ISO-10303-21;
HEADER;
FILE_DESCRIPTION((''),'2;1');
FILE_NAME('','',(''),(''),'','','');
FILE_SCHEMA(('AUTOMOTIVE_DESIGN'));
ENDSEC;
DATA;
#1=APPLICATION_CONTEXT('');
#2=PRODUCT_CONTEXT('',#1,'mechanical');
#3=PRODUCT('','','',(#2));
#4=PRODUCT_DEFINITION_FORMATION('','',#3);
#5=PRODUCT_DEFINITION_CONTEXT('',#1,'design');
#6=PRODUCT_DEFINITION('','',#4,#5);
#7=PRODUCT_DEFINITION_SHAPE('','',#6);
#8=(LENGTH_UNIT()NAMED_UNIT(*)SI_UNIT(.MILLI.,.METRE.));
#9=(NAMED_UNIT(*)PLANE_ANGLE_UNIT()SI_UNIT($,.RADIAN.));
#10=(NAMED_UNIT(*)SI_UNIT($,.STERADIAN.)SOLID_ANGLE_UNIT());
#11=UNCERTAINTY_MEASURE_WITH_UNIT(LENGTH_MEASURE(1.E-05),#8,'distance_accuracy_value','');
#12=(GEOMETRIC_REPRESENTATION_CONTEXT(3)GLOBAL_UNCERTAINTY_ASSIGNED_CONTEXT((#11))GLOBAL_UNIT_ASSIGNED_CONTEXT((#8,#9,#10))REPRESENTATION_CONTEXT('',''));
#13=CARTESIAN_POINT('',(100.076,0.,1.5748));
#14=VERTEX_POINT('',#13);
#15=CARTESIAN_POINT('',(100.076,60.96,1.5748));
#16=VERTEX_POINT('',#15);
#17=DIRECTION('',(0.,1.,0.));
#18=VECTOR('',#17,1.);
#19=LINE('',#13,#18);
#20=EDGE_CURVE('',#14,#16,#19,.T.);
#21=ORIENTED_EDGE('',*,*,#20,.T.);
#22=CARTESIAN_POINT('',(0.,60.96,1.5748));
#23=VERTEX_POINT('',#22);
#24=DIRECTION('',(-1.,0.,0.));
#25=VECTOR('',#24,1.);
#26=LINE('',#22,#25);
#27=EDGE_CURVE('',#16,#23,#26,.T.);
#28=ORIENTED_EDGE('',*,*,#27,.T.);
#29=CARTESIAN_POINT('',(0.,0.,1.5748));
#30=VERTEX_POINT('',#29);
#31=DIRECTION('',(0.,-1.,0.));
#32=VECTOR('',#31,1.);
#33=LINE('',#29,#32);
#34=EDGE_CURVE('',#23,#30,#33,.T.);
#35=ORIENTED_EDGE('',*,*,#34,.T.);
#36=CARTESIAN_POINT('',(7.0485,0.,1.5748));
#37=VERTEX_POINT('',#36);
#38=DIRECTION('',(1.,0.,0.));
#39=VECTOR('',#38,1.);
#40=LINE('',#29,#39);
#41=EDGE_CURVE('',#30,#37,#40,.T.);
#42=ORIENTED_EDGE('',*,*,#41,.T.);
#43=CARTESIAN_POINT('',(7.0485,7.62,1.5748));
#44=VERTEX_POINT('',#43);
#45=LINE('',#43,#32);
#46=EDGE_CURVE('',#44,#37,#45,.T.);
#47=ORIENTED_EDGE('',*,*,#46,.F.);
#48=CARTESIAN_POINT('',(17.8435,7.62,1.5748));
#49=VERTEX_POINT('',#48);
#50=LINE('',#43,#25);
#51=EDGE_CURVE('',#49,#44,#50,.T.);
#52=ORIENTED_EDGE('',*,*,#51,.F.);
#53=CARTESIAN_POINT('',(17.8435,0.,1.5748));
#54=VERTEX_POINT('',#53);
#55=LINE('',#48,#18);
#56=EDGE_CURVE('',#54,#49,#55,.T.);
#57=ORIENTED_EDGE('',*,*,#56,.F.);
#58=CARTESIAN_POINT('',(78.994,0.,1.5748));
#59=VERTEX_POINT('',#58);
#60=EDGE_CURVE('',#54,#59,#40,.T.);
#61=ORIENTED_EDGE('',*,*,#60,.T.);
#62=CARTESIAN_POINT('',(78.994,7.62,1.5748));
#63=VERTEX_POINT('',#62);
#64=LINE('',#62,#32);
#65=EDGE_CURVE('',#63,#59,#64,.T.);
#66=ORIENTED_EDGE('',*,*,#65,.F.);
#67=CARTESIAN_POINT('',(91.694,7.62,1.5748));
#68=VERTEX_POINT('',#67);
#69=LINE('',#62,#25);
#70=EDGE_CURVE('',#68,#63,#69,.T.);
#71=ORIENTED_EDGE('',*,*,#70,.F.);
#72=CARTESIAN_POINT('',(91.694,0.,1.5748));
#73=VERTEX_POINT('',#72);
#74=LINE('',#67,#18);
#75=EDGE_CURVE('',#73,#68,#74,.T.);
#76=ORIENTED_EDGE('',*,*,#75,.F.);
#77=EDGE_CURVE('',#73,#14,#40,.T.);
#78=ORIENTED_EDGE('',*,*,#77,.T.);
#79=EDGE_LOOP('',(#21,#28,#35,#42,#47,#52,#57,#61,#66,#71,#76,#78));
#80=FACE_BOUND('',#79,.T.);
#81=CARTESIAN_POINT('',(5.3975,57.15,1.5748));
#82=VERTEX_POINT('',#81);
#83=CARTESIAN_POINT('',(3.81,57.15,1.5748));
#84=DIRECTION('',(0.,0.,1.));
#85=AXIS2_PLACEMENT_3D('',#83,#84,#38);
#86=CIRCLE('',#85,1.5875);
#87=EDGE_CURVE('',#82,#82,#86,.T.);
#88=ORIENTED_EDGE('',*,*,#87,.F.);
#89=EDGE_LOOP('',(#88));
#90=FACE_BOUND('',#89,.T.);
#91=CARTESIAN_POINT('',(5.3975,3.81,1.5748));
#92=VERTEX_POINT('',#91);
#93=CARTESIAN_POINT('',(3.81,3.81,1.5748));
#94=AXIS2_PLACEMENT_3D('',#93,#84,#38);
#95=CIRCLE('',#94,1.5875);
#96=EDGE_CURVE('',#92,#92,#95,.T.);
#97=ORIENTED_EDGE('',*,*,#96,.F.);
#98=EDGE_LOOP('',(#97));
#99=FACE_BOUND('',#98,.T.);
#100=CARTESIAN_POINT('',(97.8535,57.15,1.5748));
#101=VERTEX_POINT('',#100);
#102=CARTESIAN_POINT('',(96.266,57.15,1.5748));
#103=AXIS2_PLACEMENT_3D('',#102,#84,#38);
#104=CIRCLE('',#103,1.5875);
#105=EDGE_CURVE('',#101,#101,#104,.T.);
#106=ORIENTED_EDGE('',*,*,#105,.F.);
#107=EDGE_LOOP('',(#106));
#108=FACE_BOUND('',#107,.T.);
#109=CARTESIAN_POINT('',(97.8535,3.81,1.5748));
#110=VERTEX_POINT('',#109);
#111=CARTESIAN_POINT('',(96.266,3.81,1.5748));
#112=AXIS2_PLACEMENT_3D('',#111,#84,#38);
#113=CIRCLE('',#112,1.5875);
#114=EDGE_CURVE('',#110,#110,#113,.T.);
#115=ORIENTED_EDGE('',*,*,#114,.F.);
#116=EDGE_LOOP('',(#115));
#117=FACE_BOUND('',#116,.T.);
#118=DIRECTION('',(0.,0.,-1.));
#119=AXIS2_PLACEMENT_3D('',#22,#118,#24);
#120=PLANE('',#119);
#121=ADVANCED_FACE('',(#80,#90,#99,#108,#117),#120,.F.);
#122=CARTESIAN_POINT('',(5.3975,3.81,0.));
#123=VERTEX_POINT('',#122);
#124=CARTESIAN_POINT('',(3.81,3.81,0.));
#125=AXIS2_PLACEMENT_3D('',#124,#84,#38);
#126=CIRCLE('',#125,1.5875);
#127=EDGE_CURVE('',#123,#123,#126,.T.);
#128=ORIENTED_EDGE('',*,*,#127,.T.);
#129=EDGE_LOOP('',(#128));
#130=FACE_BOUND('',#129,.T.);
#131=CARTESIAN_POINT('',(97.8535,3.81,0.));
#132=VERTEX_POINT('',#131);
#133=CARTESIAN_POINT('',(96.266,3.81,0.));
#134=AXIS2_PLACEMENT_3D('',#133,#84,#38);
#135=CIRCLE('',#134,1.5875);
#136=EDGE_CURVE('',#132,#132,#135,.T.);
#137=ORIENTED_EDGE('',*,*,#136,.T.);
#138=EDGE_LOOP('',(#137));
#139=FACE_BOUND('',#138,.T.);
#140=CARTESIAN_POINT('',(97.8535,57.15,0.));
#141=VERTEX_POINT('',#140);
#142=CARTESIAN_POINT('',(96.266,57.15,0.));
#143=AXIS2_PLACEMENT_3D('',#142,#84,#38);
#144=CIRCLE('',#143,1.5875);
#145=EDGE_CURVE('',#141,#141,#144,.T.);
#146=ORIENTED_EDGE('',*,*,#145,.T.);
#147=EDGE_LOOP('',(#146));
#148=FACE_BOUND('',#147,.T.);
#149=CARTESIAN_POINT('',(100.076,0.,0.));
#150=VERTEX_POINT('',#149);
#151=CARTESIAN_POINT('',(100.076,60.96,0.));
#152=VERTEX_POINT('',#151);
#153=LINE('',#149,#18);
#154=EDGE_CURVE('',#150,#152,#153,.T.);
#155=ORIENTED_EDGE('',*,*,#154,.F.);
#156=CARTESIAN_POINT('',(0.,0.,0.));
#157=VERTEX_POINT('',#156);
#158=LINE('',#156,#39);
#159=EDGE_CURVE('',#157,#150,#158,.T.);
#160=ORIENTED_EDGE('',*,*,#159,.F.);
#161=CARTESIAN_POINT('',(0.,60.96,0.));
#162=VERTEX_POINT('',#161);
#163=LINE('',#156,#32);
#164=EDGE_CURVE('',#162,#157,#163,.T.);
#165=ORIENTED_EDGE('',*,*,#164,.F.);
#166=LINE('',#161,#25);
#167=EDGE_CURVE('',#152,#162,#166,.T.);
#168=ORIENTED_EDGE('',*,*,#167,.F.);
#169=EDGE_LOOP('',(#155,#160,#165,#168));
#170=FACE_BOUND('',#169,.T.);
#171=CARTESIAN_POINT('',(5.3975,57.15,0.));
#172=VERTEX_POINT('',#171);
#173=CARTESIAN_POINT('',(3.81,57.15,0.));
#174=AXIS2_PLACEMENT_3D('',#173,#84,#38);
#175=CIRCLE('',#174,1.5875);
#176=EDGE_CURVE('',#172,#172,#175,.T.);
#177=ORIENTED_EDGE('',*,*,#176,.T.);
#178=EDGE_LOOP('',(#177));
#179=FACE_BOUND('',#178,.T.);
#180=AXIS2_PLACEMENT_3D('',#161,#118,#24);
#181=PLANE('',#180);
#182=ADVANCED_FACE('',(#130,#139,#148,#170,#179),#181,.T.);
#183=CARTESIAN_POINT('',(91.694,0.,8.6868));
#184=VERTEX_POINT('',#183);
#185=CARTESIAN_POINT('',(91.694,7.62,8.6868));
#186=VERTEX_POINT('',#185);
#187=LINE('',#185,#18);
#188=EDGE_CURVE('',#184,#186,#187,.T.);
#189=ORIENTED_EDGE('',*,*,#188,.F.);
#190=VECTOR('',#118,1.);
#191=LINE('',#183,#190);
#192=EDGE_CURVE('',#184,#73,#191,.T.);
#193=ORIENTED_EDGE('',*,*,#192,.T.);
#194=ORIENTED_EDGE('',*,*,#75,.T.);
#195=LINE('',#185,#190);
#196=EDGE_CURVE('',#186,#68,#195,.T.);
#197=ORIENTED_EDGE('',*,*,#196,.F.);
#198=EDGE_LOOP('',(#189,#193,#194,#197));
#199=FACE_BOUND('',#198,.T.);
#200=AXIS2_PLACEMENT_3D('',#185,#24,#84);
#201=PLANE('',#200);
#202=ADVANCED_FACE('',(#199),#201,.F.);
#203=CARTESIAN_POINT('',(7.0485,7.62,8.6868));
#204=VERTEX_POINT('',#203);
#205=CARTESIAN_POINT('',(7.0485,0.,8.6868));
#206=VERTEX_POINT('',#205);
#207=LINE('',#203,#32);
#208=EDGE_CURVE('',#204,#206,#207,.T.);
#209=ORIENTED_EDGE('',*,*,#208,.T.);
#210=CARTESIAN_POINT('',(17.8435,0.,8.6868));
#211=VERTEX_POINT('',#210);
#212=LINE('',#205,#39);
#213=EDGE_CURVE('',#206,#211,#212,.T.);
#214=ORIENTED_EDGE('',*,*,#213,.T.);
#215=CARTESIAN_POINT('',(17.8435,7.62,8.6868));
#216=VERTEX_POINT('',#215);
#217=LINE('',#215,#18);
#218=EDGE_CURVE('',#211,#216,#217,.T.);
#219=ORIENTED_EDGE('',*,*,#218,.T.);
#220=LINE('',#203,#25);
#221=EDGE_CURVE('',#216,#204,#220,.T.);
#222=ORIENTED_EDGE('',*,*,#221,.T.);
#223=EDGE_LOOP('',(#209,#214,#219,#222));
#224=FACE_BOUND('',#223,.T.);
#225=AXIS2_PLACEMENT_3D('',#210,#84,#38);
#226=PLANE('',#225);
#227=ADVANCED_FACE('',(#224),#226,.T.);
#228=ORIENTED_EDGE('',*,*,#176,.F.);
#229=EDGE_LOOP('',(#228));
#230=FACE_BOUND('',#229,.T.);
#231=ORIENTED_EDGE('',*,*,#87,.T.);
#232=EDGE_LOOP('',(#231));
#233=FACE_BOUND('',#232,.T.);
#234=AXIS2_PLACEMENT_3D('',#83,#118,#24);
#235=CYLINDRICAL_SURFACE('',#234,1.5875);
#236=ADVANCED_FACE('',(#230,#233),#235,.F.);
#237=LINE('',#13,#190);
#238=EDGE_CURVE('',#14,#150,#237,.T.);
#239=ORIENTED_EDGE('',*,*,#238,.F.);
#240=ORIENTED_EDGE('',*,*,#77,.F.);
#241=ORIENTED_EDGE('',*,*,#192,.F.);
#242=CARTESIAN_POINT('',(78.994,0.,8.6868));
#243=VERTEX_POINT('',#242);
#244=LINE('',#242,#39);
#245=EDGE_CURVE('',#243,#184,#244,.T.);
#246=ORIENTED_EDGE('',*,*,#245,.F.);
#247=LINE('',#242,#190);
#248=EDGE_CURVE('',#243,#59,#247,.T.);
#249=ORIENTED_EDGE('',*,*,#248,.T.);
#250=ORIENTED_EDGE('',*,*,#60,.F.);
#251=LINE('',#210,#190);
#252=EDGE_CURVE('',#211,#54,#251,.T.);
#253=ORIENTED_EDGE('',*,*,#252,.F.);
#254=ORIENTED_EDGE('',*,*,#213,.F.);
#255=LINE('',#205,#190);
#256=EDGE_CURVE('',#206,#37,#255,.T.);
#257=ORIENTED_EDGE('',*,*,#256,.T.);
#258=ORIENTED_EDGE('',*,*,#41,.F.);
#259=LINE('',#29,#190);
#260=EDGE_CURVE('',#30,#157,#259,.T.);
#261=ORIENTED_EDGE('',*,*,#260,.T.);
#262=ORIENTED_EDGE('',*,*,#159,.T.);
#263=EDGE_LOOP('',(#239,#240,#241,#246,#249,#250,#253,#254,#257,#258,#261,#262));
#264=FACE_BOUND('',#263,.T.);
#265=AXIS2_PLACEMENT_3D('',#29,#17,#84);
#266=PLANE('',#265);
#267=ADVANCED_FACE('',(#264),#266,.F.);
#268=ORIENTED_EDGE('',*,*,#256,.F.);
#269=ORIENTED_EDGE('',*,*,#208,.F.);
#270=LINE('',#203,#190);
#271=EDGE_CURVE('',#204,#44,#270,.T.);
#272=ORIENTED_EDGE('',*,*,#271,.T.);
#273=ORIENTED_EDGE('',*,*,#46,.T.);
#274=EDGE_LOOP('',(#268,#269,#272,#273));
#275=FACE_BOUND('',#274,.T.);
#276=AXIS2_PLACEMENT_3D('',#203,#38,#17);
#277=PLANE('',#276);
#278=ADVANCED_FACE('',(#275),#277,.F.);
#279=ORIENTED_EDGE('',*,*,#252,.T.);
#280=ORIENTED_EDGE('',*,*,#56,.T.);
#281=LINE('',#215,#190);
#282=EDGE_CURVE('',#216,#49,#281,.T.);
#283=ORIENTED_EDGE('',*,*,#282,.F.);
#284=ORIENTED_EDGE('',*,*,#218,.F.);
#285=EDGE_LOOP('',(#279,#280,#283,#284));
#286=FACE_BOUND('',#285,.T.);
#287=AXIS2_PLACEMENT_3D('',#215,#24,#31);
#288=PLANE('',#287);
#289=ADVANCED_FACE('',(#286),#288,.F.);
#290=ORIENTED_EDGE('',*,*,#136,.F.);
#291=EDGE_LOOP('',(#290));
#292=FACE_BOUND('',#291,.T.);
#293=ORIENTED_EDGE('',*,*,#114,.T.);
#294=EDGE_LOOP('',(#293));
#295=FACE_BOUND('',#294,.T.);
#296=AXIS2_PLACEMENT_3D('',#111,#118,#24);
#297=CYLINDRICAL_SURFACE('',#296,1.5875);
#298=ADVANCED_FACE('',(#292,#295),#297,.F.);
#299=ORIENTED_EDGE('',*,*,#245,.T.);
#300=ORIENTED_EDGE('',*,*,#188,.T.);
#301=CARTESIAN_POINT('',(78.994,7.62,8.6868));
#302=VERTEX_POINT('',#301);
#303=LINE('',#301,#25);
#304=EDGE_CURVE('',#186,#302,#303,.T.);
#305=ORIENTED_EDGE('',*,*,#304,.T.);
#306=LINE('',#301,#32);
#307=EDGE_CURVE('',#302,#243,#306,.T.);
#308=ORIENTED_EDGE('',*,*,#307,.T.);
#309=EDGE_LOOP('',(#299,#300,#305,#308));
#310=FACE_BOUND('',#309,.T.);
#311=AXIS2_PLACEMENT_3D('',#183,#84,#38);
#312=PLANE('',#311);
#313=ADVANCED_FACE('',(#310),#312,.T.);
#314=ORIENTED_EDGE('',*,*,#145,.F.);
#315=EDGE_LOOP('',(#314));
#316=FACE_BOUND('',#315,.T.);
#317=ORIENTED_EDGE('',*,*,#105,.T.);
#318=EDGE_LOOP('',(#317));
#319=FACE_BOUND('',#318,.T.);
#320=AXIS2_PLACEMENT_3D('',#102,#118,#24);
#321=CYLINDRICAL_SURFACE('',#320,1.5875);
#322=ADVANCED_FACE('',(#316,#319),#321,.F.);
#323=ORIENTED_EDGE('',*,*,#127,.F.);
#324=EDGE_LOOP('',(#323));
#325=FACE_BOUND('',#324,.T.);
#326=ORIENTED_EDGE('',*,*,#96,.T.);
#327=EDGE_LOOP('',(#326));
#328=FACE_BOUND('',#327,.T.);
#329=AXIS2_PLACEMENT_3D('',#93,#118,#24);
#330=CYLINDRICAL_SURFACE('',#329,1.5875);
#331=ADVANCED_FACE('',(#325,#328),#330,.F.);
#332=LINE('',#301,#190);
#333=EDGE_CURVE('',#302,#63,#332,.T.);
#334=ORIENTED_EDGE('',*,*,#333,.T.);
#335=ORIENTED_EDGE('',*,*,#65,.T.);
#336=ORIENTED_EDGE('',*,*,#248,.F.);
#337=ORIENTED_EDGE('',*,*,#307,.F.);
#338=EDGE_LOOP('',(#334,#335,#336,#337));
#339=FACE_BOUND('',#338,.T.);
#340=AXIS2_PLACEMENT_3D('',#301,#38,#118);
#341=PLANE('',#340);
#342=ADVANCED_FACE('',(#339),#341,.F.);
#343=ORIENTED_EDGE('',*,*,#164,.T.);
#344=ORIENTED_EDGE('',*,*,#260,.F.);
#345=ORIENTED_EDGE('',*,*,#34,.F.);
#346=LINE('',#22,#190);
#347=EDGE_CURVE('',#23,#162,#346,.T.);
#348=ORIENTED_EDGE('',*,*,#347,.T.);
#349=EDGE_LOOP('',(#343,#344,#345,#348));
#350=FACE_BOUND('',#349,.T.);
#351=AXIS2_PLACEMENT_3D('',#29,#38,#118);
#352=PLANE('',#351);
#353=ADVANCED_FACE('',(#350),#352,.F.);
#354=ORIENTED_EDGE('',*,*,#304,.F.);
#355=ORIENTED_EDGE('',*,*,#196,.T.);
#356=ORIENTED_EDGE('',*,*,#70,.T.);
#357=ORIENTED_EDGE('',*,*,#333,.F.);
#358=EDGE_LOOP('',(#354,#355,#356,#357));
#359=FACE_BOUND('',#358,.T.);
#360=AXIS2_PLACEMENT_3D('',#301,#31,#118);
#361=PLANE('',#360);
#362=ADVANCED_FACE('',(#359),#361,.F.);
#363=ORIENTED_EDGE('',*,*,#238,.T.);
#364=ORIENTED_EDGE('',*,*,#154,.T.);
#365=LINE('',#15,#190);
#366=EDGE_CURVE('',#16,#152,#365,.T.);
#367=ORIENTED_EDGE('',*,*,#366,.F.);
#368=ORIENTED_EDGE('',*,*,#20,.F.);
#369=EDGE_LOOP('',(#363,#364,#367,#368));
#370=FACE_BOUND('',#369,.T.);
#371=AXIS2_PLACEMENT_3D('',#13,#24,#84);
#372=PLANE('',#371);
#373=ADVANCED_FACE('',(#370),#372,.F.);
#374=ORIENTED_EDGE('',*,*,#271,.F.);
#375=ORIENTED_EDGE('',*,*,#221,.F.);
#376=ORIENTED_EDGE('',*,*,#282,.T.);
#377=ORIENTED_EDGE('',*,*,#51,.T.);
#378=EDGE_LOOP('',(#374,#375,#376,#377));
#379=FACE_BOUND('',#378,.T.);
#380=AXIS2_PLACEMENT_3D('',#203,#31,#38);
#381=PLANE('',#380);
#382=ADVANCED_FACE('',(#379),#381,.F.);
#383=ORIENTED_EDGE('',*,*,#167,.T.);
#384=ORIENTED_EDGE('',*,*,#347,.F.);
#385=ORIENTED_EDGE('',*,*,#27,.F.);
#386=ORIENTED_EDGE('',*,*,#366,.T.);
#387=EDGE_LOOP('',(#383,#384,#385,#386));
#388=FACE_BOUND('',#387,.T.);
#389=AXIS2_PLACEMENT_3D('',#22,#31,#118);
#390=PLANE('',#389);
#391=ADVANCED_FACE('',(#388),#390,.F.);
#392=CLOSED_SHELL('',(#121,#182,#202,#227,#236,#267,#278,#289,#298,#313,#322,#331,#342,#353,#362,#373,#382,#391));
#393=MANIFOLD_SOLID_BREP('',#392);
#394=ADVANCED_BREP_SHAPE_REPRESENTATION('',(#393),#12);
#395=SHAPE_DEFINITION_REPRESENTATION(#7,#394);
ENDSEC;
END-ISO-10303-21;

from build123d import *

# Parameters (mm, degrees)
SKETCH1_W           = 100.076
SKETCH1_H           = 60.96
SKETCH1_R           = 1.5875
BOSS_EXTRUDE1_DEPTH = 1.5748
SKETCH2_W           = 10.795
SKETCH2_H           = 7.62
SKETCH2_W_2         = 12.7
BOSS_EXTRUDE2_DEPTH = 7.112


with BuildPart() as part:
    # Sketch1 → Boss-Extrude1 (new body)
    with BuildSketch(Plane.XY):
        with Locations((50.038, 30.48)):
            Rectangle(SKETCH1_W, SKETCH1_H)
        with Locations((3.81, 57.15)):
            Circle(SKETCH1_R, mode=Mode.SUBTRACT)
        with Locations((96.266, 57.15)):
            Circle(SKETCH1_R, mode=Mode.SUBTRACT)
        with Locations((96.266, 3.81)):
            Circle(SKETCH1_R, mode=Mode.SUBTRACT)
        with Locations((3.81, 3.81)):
            Circle(SKETCH1_R, mode=Mode.SUBTRACT)
    extrude(amount=BOSS_EXTRUDE1_DEPTH)

    # Sketch2 → Boss-Extrude2 (add)
    with BuildSketch(Plane.XY.offset(1.5748)):
        with Locations((12.446, 3.81)):
            Rectangle(SKETCH2_W, SKETCH2_H)
        with Locations((85.344, 3.81)):
            Rectangle(SKETCH2_W_2, SKETCH2_H)
    extrude(amount=BOSS_EXTRUDE2_DEPTH)


solid = part.part
